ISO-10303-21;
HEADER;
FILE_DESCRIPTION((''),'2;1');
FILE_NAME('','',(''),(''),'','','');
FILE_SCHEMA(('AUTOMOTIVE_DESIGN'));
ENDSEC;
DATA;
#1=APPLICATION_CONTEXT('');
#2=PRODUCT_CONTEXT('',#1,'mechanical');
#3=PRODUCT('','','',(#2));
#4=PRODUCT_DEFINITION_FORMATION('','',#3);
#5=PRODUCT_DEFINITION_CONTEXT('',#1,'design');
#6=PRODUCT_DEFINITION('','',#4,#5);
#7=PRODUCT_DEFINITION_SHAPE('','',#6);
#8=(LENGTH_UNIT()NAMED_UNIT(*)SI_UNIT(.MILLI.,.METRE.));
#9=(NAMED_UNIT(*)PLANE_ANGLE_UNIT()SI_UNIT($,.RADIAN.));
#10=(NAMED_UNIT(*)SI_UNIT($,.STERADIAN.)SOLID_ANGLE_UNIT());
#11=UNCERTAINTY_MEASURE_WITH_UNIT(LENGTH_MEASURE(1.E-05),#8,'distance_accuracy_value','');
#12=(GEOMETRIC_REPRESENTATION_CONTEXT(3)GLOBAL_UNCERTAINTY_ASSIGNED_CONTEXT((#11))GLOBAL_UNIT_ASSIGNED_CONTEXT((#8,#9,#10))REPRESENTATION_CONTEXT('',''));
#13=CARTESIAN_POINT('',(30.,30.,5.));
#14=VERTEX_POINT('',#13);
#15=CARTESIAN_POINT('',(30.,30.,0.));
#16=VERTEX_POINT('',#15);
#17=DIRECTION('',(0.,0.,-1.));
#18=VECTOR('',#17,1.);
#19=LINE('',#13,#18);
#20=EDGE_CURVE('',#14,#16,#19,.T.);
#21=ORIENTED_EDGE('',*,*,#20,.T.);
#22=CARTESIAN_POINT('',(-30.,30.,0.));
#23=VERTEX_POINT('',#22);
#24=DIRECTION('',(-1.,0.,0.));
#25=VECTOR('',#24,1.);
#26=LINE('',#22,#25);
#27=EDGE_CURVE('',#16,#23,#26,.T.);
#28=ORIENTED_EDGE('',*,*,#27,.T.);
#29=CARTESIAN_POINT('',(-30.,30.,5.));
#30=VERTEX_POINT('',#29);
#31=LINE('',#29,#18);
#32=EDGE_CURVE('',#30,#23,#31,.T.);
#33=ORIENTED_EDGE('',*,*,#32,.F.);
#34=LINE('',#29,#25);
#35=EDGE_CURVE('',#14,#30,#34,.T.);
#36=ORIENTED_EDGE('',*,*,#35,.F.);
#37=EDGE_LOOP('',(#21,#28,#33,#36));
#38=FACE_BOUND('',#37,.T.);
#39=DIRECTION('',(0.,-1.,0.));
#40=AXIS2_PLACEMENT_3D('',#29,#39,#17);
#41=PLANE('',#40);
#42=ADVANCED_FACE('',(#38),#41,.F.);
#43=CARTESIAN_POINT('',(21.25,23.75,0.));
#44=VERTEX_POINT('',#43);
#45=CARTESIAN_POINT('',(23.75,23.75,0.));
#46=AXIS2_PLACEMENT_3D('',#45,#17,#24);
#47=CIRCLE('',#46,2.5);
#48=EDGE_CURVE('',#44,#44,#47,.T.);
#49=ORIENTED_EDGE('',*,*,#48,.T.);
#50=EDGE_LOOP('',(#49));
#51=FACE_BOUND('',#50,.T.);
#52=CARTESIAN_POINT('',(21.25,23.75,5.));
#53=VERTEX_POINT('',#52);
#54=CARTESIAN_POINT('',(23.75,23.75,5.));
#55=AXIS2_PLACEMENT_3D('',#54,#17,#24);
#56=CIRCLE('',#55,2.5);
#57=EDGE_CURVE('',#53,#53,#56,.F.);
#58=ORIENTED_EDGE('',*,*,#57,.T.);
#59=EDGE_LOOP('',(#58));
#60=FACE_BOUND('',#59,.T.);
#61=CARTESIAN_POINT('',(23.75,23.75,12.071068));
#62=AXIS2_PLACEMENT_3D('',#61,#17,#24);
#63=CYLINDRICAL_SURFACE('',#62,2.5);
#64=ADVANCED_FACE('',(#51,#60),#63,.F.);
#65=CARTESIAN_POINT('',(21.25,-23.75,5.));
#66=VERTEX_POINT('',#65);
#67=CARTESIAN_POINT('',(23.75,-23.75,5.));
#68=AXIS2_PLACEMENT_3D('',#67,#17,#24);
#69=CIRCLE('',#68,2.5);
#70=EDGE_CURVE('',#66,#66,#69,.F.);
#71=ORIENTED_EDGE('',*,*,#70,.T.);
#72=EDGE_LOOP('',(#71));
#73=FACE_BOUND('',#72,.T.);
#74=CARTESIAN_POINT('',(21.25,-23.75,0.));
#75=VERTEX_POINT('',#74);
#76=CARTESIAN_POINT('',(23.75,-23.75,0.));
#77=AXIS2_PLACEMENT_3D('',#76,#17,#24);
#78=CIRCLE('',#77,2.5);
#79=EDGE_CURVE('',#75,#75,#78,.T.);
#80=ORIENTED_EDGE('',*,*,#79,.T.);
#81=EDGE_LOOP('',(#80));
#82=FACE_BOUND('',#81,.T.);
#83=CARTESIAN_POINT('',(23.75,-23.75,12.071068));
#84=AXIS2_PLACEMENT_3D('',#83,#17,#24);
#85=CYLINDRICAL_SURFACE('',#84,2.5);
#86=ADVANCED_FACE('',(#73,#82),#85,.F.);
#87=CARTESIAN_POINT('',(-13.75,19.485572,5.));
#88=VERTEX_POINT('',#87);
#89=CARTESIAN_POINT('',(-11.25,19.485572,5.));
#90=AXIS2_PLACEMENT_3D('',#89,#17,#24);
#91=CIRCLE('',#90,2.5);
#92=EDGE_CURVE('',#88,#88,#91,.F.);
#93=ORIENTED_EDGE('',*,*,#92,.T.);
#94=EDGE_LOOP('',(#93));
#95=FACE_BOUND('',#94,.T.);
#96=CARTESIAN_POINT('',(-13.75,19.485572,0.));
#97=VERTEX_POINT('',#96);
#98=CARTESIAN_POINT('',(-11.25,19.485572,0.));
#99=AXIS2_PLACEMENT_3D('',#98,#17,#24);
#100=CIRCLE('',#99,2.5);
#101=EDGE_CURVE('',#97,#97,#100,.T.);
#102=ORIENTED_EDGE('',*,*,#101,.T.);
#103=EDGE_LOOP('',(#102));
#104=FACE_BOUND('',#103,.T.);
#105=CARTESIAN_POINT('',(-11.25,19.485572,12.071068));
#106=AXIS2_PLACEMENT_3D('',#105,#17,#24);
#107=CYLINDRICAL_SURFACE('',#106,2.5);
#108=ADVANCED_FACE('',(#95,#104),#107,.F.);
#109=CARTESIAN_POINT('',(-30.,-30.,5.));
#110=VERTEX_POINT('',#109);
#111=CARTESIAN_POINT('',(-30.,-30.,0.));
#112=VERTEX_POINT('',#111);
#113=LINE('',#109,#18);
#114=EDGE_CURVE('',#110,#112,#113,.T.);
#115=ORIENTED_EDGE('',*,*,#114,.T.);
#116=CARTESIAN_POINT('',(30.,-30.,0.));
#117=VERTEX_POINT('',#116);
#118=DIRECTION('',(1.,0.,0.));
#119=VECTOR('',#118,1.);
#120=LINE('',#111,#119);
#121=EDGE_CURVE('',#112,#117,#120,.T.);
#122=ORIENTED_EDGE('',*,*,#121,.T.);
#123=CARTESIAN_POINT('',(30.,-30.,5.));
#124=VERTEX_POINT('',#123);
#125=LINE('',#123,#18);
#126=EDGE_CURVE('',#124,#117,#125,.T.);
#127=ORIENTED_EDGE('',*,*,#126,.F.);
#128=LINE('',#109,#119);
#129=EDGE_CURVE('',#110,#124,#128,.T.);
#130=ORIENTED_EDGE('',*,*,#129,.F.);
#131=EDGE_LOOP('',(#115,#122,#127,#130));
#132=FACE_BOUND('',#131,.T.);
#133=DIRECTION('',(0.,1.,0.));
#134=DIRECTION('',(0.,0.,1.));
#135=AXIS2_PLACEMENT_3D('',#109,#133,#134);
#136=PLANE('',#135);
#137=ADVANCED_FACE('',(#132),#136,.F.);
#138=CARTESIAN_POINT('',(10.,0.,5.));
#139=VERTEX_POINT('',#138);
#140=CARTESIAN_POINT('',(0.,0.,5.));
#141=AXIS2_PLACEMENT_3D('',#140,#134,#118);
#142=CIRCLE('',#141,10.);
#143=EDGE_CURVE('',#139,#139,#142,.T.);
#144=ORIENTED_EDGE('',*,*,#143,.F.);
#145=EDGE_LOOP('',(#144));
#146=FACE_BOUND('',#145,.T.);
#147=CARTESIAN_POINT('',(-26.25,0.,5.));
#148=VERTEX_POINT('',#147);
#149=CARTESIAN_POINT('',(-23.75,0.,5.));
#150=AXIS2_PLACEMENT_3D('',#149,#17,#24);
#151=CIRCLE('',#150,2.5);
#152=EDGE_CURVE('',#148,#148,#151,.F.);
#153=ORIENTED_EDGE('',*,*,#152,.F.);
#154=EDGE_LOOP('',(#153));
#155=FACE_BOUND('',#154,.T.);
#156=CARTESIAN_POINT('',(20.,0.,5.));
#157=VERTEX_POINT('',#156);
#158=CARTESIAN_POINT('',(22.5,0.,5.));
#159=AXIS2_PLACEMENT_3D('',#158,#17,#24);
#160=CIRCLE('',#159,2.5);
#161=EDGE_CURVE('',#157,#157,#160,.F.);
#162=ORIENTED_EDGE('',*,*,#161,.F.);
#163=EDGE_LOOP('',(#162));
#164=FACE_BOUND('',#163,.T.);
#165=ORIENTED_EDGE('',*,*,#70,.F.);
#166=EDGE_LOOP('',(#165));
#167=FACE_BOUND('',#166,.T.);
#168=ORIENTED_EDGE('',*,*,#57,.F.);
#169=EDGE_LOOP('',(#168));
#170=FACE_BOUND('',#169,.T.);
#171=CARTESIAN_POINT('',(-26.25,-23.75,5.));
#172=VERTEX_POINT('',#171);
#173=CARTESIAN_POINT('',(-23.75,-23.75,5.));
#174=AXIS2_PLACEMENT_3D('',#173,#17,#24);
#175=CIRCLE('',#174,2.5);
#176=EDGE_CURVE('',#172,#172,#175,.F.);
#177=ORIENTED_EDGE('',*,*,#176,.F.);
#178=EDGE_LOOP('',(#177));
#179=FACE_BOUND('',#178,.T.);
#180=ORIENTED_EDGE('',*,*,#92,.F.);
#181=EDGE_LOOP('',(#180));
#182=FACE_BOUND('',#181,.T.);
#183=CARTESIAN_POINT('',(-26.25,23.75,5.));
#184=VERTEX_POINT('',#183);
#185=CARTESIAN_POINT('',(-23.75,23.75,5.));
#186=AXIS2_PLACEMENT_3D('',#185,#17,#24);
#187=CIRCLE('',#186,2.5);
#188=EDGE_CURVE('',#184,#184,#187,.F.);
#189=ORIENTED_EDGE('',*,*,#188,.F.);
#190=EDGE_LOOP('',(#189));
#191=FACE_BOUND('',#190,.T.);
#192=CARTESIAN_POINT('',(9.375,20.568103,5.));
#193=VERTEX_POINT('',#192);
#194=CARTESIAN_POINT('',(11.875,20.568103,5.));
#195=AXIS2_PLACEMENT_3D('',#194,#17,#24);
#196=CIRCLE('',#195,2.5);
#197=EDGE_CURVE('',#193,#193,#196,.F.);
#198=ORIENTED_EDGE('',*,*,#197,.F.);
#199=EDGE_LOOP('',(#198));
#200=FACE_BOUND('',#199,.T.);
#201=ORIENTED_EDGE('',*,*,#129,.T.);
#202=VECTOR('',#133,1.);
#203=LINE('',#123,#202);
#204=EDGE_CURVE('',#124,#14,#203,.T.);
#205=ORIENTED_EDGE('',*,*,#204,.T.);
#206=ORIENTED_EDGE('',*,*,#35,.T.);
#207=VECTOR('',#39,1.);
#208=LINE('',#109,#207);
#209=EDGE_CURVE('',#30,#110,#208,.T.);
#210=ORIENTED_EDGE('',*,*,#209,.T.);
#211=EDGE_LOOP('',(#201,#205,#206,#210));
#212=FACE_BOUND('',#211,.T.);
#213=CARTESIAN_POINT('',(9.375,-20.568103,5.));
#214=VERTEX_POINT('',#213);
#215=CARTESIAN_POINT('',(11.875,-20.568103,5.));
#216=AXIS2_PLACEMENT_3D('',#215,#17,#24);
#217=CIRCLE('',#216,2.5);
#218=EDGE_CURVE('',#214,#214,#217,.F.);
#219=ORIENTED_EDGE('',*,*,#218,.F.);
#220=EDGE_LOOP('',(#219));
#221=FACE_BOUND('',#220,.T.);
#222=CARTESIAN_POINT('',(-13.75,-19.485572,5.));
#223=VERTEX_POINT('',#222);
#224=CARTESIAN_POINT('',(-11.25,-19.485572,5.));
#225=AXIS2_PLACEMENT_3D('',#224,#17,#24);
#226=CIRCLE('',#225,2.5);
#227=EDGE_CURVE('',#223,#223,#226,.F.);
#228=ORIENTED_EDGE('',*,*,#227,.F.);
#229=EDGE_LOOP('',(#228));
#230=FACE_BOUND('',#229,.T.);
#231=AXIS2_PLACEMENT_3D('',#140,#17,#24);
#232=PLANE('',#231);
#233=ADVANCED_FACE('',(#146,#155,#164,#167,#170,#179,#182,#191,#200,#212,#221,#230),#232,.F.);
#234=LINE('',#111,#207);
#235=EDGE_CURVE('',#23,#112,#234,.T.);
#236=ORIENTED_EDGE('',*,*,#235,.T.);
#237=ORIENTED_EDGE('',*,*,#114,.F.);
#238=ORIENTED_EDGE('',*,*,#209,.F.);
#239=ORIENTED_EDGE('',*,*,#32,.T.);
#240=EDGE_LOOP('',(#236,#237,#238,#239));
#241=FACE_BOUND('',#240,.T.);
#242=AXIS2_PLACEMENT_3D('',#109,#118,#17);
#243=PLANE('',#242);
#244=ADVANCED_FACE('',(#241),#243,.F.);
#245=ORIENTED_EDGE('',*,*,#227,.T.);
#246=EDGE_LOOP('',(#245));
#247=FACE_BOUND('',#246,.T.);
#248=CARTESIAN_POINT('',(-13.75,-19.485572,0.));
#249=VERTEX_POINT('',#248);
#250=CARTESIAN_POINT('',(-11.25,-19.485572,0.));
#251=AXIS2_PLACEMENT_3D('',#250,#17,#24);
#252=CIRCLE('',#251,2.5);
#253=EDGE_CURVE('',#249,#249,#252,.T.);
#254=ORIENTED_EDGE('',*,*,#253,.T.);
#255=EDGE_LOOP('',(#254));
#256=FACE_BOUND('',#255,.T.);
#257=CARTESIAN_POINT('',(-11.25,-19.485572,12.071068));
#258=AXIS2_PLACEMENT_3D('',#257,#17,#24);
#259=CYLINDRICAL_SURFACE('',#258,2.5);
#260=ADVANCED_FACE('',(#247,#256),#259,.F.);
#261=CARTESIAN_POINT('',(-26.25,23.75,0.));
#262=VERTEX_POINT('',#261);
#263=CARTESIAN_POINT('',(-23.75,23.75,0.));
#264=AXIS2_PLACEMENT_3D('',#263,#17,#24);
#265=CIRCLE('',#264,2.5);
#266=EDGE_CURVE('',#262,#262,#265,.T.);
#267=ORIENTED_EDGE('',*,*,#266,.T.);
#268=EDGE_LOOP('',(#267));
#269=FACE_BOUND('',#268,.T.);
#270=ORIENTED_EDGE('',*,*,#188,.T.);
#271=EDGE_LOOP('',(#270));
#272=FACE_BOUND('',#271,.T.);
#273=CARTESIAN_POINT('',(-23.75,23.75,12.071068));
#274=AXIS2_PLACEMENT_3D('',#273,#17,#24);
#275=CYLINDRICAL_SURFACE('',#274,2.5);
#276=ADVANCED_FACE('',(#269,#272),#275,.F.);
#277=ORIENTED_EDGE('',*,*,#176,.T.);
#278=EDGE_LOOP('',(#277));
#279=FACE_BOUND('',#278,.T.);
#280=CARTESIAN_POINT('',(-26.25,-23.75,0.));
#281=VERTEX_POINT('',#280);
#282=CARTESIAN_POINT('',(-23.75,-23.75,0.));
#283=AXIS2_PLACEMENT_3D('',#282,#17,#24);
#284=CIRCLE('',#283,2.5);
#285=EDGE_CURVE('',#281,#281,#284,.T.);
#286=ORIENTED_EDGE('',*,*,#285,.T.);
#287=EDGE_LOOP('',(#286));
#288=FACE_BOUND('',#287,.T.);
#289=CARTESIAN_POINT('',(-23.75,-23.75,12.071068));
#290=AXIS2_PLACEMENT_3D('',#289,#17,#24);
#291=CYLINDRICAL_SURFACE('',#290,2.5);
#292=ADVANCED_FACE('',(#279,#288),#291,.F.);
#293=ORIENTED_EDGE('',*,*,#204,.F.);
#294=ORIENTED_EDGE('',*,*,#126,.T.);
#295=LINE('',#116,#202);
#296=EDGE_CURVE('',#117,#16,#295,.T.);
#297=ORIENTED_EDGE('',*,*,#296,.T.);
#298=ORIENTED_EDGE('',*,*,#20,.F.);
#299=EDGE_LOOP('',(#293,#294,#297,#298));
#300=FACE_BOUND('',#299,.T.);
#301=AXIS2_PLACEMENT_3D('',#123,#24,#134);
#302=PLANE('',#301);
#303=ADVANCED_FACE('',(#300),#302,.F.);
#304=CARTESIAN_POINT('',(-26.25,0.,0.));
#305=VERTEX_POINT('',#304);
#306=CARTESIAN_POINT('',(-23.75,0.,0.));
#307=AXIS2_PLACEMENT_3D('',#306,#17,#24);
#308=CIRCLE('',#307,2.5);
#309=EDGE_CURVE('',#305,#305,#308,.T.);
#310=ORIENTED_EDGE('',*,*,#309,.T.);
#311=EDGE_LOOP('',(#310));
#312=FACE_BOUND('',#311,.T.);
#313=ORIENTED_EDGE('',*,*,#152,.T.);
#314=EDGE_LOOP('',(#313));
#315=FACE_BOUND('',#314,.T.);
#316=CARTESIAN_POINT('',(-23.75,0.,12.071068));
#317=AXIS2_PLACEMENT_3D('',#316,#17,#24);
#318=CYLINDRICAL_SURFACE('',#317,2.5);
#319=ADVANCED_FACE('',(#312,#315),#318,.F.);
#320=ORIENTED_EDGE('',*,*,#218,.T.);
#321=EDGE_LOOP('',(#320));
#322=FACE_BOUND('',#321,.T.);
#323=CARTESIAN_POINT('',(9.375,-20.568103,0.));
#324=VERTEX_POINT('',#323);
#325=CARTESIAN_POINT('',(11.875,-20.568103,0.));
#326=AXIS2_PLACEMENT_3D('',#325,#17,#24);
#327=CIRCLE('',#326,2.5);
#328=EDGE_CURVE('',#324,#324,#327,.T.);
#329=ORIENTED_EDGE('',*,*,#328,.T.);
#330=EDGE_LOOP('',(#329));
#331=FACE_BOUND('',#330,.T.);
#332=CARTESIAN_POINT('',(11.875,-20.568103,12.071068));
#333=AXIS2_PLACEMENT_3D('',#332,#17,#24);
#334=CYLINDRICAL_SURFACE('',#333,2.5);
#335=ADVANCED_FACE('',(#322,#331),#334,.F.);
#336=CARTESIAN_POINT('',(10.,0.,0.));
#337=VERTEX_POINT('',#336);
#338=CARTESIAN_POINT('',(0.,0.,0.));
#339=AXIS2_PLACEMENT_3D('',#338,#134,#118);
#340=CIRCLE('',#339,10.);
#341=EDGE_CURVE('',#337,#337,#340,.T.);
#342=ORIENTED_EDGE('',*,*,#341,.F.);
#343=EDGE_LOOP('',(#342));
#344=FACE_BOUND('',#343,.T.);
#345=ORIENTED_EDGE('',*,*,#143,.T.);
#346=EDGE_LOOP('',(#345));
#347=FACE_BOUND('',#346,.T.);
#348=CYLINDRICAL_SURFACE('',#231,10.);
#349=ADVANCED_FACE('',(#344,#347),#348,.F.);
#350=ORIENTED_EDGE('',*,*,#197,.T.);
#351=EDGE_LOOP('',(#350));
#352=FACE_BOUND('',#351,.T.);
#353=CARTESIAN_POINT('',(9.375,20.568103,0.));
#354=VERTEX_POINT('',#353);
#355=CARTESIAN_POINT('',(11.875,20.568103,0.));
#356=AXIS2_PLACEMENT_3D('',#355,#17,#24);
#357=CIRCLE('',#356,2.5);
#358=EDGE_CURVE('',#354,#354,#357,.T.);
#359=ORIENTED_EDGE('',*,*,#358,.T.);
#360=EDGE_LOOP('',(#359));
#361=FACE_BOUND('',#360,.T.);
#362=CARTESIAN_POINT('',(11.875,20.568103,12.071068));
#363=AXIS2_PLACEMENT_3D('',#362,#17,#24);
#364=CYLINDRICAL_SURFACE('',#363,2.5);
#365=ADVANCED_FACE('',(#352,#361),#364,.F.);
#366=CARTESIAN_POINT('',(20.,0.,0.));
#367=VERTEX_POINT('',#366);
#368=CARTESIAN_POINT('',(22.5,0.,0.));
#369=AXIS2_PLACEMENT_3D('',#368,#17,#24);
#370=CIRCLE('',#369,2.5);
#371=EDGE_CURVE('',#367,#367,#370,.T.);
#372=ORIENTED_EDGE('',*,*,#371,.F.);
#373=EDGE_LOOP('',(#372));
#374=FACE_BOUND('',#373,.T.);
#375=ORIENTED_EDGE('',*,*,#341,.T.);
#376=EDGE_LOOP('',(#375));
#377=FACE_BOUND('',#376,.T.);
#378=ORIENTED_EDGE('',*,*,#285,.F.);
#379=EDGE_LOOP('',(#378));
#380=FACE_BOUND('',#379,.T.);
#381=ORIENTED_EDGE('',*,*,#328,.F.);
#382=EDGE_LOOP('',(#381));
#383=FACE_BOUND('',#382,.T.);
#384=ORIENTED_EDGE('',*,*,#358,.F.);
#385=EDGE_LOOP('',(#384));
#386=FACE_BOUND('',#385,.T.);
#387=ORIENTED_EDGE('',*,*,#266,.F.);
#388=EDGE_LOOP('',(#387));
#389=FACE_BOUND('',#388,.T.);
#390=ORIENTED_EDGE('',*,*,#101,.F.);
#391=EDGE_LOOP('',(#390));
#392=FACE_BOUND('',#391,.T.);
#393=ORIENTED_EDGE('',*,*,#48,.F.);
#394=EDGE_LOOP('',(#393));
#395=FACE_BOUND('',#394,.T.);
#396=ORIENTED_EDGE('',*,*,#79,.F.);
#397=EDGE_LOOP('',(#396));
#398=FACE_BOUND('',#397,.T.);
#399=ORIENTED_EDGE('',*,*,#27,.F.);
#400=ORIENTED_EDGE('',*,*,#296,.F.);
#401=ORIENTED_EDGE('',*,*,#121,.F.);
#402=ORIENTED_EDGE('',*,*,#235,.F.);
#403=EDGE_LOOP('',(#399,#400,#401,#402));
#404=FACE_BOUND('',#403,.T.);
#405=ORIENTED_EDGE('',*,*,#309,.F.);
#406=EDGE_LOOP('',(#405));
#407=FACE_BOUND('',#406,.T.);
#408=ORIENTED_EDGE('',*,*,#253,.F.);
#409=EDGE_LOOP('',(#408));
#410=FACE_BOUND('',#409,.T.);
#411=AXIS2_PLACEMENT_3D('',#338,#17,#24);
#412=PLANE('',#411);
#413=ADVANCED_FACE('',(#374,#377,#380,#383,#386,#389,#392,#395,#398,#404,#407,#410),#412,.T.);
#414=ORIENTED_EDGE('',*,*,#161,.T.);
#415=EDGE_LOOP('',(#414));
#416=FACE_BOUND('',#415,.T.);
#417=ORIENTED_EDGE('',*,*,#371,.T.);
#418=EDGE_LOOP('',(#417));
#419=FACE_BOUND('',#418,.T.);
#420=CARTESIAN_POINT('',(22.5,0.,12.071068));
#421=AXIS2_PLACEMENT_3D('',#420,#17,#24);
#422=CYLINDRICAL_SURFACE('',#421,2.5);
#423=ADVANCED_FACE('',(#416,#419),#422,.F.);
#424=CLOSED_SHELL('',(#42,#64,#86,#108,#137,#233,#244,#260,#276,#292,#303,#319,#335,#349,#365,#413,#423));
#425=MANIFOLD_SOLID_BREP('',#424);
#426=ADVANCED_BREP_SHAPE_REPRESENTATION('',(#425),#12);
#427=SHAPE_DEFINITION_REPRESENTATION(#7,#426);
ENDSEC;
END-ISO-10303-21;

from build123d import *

# Parameters (mm, degrees)
SKETCH_3_W          = 60
SKETCH_3_H          = 60
SKETCH_3_R          = 10
EXTRUDE_2_DEPTH     = 5
SKETCH_4_R          = 2.5
CUT_EXTRUDE_1_DEPTH = 5


with BuildPart() as part:
    # 草图3 → 凸台-拉伸2 (new body)
    with BuildSketch(Plane.XY):
        Rectangle(SKETCH_3_W, SKETCH_3_H)
        Circle(SKETCH_3_R, mode=Mode.SUBTRACT)
    extrude(amount=EXTRUDE_2_DEPTH)

    # 草图4 → 切除-拉伸1 (cut)
    with BuildSketch(Plane.XY):
        with Locations(Location((11.875, 20.56810334, 0), (0, 0, 180))):
            Circle(SKETCH_4_R)
        with Locations(Location((22.5, 0, 0), (0, 0, 180))):
            Circle(SKETCH_4_R)
        with Locations(Location((11.875, -20.56810334, 0), (0, 0, 180))):
            Circle(SKETCH_4_R)
        with Locations(Location((-11.25, -19.485571585, 0), (0, 0, 180))):
            Circle(SKETCH_4_R)
        with Locations(Location((-23.75, 0, 0), (0, 0, 180))):
            Circle(SKETCH_4_R)
        with Locations(Location((-11.25, 19.485571585, 0), (0, 0, 180))):
            Circle(SKETCH_4_R)
        with Locations(Location((-23.75, 23.75, 0), (0, 0, 180))):
            Circle(SKETCH_4_R)
        with Locations(Location((23.75, 23.75, 0), (0, 0, 180))):
            Circle(SKETCH_4_R)
        with Locations(Location((23.75, -23.75, 0), (0, 0, 180))):
            Circle(SKETCH_4_R)
        with Locations(Location((-23.75, -23.75, 0), (0, 0, 180))):
            Circle(SKETCH_4_R)
    extrude(amount=CUT_EXTRUDE_1_DEPTH, mode=Mode.SUBTRACT)


solid = part.part
